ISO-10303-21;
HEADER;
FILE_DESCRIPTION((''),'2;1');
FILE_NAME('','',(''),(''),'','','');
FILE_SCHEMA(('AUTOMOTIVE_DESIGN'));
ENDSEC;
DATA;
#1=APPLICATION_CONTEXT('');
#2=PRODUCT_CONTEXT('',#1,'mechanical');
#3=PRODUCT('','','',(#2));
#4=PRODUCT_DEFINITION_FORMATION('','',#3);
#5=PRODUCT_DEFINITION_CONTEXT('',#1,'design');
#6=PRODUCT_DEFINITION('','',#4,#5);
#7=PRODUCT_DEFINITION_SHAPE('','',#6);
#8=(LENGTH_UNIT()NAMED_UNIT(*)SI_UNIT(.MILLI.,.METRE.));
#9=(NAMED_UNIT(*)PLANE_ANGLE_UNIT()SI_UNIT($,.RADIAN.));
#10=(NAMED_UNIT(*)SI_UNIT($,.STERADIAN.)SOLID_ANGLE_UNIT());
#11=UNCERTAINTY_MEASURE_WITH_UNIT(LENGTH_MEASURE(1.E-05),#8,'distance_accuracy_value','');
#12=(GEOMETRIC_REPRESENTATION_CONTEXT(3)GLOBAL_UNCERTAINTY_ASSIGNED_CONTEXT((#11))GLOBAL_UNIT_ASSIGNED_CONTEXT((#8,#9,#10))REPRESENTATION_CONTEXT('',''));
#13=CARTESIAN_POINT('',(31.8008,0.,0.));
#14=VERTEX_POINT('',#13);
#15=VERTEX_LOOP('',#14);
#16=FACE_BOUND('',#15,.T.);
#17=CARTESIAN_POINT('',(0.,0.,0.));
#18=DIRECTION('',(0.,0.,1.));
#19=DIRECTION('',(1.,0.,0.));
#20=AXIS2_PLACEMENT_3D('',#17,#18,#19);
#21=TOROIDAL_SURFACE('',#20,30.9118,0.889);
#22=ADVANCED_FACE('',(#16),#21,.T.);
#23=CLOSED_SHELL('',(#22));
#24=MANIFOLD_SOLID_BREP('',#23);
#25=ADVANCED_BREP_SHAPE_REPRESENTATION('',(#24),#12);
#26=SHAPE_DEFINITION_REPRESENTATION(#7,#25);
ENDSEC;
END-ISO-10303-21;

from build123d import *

# Parameters (mm, degrees)
SKETCH1_R = 0.889


with BuildPart() as part:
    # Sketch1 → Revolve1 (revolve)
    with BuildSketch(Plane(origin=(0, 0, 0), x_dir=(0, -1, 0), z_dir=(1, 0, 0)), mode=Mode.PRIVATE) as revolve1_sk:
        with Locations((30.9118, 0)):
            Circle(SKETCH1_R)
    revolve(revolve1_sk.sketch.rotate(Axis((0, 0, 0.889), (0, 0, -1)), 270), axis=Axis((0, 0, 0.889), (0, 0, -1)))


solid = part.part
